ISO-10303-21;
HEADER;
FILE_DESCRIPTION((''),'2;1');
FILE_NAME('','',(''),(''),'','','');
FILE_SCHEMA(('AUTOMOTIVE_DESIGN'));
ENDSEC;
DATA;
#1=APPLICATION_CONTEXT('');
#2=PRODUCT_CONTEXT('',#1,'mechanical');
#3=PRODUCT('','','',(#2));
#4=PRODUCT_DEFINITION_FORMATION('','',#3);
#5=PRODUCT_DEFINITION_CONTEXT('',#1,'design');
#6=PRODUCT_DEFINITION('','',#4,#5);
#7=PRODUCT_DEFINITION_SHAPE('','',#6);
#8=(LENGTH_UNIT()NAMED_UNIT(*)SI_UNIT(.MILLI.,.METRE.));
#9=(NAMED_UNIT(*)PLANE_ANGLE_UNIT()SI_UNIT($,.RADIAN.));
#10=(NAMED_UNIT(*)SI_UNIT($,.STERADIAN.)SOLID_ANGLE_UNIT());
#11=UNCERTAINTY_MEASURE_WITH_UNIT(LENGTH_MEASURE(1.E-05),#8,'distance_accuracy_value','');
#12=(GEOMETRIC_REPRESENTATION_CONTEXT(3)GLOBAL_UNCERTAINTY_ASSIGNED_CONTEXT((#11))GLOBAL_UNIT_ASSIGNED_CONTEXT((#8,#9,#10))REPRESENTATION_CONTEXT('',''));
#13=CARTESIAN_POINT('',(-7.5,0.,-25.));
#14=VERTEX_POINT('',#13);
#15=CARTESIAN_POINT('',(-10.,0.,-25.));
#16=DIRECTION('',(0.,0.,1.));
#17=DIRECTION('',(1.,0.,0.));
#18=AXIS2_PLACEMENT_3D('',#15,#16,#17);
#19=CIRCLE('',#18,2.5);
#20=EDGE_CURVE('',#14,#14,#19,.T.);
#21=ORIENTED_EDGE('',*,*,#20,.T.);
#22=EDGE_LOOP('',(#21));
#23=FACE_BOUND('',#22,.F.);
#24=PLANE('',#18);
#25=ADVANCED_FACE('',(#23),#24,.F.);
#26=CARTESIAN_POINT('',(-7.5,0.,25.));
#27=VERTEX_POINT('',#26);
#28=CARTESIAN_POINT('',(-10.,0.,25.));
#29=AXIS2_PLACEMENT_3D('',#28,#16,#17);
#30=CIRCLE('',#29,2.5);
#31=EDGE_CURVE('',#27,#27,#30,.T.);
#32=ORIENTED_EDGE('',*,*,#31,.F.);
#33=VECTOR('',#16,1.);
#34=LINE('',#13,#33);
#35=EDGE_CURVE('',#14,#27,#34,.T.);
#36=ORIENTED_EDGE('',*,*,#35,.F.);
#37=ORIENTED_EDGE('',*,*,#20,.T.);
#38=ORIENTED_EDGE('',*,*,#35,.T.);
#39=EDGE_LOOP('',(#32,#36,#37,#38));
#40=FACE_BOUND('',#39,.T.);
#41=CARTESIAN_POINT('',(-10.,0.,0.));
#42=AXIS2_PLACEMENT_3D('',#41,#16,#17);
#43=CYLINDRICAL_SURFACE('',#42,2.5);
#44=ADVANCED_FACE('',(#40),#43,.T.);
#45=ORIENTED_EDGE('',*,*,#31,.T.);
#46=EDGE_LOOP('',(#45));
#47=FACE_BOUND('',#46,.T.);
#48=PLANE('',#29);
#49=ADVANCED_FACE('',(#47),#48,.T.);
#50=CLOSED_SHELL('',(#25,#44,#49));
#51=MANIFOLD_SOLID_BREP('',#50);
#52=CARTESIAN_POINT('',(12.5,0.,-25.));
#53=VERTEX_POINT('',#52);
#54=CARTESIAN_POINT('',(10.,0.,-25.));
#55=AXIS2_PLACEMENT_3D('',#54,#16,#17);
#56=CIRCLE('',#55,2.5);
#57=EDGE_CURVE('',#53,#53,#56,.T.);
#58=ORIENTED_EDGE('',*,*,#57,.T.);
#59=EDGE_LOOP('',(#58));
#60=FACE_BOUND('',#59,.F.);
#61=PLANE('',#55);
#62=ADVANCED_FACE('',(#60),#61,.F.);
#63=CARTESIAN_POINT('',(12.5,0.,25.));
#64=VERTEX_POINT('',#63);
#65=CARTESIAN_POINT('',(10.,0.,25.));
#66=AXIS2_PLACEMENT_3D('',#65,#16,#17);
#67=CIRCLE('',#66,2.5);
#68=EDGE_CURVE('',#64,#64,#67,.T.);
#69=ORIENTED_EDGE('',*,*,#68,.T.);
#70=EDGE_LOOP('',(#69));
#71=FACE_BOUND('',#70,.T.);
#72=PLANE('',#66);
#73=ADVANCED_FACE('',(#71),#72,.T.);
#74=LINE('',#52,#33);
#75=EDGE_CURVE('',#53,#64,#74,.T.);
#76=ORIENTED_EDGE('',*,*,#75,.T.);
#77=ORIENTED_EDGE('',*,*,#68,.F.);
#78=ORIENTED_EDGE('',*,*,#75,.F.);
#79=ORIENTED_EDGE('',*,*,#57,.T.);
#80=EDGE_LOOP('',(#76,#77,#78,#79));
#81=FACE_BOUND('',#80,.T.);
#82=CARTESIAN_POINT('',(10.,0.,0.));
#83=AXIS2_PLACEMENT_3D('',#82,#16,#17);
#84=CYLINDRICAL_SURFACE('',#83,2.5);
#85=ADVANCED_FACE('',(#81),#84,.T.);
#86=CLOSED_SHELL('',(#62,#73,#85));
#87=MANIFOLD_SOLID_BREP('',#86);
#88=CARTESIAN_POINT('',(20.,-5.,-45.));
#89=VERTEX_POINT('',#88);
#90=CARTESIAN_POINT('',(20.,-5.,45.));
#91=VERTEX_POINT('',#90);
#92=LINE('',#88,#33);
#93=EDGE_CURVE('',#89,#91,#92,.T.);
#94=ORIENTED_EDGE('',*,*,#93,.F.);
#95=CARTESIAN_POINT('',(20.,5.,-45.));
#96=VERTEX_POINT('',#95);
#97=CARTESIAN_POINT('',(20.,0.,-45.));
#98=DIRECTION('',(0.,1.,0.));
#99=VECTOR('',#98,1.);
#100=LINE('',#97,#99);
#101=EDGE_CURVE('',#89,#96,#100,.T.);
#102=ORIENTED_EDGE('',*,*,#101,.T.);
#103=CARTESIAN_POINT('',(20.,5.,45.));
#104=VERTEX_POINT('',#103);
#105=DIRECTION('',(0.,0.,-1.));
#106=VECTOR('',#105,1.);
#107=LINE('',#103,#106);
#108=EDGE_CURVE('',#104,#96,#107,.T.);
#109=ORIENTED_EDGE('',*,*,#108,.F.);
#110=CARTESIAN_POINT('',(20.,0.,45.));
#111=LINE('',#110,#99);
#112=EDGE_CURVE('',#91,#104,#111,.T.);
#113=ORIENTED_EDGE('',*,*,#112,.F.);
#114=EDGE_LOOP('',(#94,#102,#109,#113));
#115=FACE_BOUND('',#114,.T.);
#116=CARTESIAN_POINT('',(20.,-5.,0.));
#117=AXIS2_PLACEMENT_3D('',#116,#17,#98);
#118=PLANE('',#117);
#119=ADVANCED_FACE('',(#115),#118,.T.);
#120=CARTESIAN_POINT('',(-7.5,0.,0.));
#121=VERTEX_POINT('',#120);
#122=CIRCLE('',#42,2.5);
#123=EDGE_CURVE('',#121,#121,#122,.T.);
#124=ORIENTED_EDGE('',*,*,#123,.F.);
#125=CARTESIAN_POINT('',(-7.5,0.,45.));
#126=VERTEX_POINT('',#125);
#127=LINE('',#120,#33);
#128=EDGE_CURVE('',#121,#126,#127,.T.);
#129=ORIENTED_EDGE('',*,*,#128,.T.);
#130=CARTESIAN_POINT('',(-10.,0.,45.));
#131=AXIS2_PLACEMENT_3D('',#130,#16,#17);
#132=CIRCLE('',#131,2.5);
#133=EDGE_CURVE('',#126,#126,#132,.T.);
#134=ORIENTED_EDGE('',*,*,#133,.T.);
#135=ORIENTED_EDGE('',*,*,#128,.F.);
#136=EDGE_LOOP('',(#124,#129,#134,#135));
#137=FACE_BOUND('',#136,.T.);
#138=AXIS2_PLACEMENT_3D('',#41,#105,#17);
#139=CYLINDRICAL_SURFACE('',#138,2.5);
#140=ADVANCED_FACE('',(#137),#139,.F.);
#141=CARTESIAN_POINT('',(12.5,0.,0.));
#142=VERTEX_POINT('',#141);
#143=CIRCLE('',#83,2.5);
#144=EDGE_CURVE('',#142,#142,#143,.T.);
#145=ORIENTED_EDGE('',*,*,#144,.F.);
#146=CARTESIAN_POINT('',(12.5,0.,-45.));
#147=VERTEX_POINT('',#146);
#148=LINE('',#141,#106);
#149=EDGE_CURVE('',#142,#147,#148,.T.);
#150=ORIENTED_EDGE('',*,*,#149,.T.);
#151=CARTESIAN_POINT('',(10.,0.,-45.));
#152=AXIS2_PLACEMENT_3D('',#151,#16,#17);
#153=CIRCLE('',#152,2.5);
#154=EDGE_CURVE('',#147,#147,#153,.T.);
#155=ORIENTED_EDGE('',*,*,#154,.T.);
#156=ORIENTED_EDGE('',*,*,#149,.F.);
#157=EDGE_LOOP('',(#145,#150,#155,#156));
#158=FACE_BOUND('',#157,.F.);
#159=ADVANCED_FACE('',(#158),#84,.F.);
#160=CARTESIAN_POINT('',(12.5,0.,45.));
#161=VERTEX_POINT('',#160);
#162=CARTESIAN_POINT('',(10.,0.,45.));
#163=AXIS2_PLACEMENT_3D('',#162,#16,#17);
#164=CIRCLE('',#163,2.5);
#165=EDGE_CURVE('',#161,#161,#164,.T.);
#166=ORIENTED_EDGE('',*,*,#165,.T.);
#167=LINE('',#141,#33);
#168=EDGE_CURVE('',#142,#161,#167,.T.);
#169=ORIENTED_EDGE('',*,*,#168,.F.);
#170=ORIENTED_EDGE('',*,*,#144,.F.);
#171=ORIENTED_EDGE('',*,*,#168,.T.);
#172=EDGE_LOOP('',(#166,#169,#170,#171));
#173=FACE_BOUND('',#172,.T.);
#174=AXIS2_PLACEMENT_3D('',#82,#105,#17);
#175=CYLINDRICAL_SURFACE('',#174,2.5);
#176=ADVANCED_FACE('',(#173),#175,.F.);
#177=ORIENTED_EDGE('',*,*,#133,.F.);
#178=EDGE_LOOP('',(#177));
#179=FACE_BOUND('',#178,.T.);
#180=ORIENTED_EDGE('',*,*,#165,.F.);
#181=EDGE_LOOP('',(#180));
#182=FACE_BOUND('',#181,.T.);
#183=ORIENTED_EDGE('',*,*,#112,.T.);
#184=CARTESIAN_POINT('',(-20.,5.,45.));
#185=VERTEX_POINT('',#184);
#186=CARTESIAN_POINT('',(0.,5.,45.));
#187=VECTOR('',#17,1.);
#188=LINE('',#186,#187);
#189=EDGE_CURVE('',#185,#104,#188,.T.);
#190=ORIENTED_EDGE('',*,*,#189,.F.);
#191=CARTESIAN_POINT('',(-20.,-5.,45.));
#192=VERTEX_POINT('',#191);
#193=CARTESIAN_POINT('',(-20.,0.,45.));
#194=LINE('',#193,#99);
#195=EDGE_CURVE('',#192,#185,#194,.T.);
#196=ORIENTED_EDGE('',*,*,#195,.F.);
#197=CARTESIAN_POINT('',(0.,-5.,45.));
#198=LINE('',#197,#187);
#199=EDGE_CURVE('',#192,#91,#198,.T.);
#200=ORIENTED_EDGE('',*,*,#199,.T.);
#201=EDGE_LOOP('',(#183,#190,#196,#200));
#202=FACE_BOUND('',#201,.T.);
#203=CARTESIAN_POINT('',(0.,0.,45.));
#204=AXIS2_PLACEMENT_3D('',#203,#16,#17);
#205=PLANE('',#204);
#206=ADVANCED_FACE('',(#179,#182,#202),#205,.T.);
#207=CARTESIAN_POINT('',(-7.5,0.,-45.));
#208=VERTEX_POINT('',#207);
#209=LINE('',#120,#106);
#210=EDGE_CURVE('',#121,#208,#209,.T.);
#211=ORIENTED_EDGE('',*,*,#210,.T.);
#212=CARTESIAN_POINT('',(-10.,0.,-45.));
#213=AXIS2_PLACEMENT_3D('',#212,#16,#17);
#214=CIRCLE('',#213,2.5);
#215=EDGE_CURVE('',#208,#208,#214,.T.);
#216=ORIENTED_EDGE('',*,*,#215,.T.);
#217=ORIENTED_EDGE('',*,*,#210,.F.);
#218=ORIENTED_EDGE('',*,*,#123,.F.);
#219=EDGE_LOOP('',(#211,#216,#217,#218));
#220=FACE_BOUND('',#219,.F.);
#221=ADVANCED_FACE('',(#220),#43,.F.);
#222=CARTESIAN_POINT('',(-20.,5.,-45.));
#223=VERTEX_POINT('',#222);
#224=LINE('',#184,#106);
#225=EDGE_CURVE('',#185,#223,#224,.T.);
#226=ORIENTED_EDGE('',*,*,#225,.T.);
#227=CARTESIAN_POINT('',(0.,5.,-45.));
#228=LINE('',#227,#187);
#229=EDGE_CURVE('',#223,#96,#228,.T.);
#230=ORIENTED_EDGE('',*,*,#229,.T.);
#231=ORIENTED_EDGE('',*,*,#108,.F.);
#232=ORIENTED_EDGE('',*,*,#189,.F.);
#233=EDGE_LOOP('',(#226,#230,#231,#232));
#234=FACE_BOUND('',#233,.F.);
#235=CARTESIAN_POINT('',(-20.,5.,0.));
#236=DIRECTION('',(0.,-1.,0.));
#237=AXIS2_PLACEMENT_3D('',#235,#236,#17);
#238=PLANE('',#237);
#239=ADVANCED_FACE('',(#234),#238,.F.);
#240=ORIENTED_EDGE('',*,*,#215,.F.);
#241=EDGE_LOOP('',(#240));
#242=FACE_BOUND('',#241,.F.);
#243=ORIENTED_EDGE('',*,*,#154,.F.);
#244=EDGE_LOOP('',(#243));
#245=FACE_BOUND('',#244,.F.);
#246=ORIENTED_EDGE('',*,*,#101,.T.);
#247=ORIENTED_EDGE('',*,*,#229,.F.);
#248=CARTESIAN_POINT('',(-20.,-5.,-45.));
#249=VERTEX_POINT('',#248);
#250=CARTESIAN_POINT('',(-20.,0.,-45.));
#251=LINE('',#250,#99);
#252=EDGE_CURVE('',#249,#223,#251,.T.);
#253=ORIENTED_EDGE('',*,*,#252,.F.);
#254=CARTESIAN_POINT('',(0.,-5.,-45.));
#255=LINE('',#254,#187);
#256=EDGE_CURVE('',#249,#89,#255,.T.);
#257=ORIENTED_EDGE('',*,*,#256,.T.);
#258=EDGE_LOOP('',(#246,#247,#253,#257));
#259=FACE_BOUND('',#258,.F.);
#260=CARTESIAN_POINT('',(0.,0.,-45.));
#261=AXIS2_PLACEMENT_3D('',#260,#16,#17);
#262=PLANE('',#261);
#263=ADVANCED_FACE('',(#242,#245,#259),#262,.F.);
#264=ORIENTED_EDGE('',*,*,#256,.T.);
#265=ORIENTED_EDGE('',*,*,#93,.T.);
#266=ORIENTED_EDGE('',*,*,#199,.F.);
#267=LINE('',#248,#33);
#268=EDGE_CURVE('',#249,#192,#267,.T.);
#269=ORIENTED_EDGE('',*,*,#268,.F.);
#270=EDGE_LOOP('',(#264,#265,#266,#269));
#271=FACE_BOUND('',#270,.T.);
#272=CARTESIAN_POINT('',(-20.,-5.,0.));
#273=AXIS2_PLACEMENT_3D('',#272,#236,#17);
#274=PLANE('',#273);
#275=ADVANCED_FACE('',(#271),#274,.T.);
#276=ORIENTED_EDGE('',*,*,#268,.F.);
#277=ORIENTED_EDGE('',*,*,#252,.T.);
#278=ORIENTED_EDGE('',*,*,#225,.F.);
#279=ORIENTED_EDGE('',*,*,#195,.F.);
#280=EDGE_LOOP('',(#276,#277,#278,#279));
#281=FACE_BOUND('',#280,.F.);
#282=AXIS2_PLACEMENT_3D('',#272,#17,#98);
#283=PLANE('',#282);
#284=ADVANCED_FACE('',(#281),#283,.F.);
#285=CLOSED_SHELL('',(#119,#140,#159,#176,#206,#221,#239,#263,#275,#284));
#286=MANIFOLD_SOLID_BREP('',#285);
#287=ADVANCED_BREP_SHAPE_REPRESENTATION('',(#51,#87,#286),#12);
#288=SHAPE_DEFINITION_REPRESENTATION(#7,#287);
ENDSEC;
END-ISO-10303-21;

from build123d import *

# Parameters (mm, degrees)
F0_W          = 40
F0_H          = 10
F0_R          = 2.5
F1_DEPTH      = 45
F1_DEPTH_BACK = 45
F2_DEPTH      = 25
F2_DEPTH_BACK = 25


with BuildPart() as f1:
    # F0 (on Top) → F1 (new body, two sides)
    with BuildSketch(Plane.XY) as f1_sk:
        Rectangle(F0_W, F0_H)
        with Locations((-10, 0)):
            Circle(F0_R, mode=Mode.SUBTRACT)
        with Locations((10, 0)):
            Circle(F0_R, mode=Mode.SUBTRACT)
    extrude(amount=F1_DEPTH)
    extrude(f1_sk.sketch, amount=-F1_DEPTH_BACK)


with BuildPart() as f2:
    # F0 (on Top) → F2 (new body, two sides)
    with BuildSketch(Plane.XY) as f2_sk:
        with Locations((-10, 0)):
            Circle(F0_R)
        with Locations((10, 0)):
            Circle(F0_R)
    extrude(amount=F2_DEPTH)
    extrude(f2_sk.sketch, amount=-F2_DEPTH_BACK)


solid = Compound([f1.part, f2.part])
